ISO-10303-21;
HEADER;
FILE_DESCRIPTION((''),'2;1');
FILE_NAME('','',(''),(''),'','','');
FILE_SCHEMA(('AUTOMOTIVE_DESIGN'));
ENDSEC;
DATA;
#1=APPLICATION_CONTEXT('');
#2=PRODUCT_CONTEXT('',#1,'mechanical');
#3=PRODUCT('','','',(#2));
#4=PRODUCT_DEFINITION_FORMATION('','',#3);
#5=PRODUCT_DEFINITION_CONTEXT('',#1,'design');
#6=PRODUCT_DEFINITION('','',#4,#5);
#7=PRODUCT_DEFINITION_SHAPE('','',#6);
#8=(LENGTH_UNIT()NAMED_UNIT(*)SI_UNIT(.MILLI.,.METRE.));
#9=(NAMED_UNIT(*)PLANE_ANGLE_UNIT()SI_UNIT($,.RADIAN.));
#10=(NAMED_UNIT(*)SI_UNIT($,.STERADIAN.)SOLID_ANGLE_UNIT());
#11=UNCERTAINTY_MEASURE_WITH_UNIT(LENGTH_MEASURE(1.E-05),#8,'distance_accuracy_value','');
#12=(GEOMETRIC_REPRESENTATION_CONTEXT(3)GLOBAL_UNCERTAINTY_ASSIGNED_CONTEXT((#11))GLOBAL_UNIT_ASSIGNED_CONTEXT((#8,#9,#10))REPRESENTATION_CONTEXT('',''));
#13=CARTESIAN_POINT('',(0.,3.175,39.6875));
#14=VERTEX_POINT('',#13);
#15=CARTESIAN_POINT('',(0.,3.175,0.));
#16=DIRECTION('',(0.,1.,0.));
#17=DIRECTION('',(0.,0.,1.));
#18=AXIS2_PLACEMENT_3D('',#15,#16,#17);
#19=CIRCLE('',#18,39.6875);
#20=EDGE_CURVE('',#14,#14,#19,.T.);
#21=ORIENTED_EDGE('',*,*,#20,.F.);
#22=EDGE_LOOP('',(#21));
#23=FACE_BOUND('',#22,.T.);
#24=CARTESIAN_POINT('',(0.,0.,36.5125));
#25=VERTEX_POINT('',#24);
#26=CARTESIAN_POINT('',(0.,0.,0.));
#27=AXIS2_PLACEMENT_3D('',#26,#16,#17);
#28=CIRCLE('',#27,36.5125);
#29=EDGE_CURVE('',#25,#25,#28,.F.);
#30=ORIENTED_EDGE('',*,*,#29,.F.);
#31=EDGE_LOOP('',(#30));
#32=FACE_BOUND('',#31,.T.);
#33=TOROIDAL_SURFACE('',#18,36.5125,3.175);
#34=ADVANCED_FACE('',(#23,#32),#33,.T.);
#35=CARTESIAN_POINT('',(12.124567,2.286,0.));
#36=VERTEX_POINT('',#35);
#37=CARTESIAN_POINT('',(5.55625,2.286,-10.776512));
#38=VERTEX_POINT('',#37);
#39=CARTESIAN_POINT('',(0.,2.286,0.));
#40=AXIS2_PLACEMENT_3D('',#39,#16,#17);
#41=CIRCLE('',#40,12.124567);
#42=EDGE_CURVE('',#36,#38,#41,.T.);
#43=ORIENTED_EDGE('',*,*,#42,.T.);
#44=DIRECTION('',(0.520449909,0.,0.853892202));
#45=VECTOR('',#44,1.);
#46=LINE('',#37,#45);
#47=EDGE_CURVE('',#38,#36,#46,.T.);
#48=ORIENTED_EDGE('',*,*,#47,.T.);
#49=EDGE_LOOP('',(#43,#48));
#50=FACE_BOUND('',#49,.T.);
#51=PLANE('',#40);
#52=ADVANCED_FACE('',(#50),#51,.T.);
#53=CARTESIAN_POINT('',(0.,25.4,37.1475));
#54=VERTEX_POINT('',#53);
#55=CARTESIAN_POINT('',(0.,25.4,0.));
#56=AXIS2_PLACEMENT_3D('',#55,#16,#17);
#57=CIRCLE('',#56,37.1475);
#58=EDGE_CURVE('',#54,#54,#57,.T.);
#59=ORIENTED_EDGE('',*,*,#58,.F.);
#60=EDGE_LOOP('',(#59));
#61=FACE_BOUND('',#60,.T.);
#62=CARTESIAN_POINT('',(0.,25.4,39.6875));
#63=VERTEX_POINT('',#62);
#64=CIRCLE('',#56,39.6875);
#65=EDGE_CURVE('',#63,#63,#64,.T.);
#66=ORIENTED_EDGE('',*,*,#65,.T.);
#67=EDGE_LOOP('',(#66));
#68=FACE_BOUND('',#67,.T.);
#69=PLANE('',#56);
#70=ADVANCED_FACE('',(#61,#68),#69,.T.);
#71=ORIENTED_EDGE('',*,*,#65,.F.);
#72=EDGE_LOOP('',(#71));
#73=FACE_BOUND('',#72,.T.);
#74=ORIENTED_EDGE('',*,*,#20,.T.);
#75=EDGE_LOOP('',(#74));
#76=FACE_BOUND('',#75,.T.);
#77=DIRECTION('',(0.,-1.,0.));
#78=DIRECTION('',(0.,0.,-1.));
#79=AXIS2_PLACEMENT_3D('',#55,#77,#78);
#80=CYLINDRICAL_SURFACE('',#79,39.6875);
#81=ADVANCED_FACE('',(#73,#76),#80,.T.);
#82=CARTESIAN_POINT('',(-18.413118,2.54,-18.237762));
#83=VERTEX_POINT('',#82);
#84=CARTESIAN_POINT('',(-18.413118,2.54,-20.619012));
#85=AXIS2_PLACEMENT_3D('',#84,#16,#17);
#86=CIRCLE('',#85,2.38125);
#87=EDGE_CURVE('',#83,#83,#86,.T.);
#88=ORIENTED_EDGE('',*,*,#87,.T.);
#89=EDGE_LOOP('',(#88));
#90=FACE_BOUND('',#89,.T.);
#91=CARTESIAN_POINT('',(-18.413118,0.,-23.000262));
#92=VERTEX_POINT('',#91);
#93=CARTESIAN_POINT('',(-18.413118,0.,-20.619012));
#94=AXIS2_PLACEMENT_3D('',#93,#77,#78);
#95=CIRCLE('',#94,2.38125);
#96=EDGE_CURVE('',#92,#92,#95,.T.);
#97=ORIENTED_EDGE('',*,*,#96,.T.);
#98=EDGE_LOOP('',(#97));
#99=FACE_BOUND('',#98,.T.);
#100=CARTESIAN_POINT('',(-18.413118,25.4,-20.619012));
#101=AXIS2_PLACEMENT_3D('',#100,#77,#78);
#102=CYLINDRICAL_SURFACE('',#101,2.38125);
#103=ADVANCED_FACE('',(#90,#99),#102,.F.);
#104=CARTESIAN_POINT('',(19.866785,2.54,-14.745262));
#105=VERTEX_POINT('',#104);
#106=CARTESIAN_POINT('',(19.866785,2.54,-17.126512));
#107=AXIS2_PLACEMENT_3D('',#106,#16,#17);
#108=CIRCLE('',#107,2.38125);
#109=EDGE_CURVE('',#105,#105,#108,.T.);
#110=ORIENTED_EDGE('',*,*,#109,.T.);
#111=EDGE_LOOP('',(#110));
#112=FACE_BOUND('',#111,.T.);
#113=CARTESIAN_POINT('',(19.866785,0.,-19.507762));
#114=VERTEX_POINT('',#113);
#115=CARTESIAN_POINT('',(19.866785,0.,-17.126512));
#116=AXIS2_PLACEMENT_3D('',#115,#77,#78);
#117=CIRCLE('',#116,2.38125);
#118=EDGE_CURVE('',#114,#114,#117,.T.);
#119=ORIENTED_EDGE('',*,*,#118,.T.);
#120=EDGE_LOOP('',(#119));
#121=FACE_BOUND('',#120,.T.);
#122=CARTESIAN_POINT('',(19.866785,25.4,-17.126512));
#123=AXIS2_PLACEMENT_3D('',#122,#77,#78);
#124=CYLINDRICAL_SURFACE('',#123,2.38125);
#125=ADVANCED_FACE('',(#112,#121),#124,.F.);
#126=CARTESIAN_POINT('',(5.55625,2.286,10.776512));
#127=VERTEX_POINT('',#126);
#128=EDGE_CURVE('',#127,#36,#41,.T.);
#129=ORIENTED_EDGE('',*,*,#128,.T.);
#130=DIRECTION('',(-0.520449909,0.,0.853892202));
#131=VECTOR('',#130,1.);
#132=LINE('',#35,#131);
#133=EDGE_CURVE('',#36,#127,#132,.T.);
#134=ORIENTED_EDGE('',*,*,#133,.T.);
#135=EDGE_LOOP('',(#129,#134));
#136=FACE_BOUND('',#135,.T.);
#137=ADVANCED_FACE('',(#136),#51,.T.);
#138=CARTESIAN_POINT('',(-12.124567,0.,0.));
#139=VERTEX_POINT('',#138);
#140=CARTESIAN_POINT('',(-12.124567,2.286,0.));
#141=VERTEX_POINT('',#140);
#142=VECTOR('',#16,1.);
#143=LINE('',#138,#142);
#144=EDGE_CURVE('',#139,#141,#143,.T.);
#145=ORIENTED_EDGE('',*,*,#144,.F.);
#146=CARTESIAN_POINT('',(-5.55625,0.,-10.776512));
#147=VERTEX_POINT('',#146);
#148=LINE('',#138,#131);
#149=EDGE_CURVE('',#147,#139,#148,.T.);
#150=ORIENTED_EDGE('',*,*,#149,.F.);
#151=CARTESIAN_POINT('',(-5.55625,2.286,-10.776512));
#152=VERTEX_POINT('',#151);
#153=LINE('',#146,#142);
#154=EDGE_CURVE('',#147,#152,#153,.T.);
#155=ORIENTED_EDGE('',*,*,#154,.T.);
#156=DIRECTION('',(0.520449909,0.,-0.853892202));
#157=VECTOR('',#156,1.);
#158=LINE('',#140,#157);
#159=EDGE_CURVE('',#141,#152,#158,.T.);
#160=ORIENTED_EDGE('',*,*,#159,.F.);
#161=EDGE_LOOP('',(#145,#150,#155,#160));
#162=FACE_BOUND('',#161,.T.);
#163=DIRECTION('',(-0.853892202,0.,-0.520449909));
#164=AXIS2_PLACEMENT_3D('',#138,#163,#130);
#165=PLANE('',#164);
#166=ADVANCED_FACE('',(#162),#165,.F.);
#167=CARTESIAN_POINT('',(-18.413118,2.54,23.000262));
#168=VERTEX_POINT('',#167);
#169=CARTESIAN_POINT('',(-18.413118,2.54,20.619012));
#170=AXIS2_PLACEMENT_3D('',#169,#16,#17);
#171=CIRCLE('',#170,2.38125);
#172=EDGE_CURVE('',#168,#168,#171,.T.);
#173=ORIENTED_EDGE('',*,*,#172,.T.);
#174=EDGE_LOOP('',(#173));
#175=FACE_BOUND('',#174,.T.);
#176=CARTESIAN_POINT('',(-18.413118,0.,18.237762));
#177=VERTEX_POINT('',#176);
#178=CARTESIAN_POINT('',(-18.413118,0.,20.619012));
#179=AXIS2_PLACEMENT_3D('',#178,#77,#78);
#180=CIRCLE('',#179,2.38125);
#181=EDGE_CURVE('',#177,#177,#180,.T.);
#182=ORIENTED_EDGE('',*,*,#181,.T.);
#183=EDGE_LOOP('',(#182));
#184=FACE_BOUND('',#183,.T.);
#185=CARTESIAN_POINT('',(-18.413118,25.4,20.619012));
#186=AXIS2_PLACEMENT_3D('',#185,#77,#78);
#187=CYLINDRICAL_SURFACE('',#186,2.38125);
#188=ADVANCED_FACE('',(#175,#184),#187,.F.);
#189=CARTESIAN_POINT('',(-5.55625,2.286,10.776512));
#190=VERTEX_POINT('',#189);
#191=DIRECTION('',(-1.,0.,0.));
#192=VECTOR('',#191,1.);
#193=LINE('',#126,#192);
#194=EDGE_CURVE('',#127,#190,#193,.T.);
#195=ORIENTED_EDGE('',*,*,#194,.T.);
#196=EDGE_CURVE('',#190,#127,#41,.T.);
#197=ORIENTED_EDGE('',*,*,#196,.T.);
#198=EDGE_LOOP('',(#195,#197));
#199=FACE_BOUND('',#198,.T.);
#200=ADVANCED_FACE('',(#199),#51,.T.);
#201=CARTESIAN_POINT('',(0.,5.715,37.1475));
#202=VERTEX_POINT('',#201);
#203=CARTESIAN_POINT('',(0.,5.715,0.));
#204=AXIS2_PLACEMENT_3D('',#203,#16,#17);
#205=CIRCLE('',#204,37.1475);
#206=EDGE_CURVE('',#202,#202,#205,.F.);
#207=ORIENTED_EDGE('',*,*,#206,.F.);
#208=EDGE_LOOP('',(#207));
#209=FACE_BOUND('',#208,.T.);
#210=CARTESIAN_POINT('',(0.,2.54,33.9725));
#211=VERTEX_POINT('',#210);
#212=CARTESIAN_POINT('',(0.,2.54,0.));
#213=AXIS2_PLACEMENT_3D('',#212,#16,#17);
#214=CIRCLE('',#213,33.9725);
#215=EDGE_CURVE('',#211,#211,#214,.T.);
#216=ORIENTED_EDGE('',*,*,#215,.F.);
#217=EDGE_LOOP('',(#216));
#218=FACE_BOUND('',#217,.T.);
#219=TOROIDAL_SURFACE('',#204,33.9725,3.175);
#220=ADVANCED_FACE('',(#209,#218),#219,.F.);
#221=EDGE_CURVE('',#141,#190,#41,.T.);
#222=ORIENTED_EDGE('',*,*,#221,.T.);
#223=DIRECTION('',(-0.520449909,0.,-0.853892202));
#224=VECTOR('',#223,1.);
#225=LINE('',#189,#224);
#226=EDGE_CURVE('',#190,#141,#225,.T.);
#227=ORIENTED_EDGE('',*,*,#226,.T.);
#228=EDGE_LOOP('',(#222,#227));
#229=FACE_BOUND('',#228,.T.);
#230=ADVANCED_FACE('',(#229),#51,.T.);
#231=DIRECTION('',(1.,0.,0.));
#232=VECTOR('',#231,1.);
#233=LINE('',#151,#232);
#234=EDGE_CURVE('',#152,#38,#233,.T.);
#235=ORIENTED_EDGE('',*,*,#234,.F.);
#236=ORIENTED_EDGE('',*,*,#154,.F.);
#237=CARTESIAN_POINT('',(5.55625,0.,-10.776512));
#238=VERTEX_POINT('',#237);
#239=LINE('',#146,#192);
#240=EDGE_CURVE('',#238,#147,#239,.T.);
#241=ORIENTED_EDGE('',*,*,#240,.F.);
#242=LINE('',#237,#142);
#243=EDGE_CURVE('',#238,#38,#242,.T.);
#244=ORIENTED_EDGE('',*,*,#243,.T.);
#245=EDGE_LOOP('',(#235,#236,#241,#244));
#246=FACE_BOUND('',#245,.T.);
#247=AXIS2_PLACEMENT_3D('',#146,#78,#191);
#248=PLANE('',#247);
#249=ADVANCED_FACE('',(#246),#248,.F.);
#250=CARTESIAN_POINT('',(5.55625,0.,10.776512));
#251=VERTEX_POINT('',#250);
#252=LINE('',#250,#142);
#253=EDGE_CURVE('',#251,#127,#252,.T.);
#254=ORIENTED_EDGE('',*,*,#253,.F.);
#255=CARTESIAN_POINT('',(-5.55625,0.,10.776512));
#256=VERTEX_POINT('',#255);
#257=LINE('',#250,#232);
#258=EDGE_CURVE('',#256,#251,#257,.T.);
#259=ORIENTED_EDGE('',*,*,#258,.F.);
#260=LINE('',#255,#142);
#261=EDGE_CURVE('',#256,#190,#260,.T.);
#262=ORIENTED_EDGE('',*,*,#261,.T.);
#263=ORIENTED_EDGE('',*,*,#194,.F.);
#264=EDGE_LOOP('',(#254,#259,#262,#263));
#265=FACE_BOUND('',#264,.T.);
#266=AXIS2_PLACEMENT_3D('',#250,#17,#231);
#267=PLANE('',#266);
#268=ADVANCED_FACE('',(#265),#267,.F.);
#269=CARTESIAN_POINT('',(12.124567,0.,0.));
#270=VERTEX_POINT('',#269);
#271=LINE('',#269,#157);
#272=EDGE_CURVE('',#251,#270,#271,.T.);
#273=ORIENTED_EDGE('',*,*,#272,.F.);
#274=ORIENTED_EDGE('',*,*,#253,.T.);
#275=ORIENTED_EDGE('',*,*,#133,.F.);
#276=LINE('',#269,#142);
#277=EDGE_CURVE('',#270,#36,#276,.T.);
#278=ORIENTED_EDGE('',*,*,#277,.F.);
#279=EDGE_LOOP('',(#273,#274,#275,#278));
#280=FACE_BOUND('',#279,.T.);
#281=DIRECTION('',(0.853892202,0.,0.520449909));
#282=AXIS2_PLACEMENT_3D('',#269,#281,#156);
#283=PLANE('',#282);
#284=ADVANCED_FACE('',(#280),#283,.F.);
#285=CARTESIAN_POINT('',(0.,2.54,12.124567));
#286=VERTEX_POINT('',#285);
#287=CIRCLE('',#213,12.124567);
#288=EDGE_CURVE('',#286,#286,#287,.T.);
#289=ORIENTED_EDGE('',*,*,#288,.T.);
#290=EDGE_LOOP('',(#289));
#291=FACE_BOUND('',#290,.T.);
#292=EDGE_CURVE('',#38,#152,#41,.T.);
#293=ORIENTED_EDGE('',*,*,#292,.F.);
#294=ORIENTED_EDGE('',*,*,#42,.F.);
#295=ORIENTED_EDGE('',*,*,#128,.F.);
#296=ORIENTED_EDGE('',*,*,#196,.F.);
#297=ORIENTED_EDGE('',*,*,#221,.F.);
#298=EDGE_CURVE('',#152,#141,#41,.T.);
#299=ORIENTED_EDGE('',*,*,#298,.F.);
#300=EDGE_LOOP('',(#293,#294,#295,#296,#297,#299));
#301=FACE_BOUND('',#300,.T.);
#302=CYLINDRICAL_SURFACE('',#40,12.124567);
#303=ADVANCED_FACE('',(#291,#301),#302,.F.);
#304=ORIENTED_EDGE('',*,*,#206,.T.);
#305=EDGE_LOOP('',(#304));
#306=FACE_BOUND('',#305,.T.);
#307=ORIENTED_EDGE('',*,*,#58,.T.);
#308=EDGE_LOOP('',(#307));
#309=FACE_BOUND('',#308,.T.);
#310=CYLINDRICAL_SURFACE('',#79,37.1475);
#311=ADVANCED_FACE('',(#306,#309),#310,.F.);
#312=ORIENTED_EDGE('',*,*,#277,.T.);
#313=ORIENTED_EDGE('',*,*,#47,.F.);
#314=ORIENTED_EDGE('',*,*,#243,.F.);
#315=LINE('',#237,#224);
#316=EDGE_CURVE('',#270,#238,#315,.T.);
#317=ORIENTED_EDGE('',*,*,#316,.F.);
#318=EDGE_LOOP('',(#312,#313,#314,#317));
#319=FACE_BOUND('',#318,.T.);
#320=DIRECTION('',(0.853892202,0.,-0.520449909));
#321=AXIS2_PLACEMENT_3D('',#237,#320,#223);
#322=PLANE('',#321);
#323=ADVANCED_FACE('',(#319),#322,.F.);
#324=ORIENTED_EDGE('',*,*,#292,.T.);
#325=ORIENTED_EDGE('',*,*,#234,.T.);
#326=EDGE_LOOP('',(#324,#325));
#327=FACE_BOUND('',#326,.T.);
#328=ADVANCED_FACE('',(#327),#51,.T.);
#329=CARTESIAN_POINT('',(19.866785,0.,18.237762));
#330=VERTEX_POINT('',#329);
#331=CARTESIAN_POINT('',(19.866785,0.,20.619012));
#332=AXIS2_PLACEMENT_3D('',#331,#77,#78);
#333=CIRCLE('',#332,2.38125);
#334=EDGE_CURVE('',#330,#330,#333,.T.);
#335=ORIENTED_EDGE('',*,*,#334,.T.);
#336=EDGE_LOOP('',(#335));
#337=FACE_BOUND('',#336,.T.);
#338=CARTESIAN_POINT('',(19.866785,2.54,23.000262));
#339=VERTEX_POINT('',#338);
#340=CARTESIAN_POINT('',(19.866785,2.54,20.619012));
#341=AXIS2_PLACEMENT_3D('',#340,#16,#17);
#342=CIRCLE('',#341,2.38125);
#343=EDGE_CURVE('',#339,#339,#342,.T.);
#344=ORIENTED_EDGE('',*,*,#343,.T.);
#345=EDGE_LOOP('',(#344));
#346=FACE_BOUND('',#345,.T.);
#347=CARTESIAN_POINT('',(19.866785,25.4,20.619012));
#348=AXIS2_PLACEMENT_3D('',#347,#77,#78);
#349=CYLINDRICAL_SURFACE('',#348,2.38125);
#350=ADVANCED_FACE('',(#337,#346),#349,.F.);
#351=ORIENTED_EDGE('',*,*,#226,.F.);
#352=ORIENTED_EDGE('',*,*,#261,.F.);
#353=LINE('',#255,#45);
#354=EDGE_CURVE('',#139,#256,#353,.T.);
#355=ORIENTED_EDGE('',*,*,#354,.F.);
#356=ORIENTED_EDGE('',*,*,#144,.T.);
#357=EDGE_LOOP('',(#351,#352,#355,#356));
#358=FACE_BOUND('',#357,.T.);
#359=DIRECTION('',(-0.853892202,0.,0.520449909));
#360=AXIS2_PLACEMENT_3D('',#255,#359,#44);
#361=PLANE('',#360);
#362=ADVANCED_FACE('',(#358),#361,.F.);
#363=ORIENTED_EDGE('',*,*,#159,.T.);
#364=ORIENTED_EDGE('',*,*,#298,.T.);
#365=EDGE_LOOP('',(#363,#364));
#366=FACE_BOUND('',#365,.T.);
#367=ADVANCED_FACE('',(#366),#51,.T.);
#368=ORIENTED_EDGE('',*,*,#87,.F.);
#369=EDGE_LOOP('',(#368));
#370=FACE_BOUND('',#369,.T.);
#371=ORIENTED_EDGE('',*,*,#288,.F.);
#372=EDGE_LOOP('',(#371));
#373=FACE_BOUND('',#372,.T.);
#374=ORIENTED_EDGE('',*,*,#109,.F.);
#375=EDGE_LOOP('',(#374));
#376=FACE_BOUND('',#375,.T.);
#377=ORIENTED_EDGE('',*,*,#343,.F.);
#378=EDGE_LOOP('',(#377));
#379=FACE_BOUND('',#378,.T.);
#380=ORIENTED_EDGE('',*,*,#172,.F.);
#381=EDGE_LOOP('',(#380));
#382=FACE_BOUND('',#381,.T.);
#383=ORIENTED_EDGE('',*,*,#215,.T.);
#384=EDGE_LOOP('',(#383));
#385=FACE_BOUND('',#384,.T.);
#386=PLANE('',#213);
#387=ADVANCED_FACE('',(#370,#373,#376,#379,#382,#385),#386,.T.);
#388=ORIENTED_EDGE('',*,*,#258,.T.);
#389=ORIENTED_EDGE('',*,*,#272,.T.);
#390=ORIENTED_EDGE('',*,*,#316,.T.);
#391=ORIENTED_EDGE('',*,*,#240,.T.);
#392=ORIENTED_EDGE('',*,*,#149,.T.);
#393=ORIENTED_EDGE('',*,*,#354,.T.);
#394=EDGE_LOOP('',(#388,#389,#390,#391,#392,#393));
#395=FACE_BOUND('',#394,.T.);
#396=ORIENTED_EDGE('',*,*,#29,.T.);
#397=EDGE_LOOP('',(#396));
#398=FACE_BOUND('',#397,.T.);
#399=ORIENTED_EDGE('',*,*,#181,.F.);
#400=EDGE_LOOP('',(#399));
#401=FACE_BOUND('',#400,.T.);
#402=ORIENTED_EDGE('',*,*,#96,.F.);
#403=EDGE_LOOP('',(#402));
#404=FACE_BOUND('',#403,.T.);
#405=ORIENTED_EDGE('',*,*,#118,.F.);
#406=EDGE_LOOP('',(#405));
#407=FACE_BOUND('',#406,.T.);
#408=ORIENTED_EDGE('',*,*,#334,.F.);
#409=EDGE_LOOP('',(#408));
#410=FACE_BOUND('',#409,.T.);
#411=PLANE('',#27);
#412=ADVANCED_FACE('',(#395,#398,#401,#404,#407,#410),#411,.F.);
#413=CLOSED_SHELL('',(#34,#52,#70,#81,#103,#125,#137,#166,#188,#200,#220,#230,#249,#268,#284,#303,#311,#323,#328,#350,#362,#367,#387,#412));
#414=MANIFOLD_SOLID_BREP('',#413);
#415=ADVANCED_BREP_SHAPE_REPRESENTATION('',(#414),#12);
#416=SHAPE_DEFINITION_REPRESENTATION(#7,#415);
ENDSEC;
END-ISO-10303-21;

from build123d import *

# Parameters (mm, degrees)
SKETCH1_R           = 39.6875
BOSS_EXTRUDE1_DEPTH = 25.4
SHELL1_T            = -2.54
CUT_EXTRUDE1_DEPTH  = 62.60645512
SKETCH4_R           = 12.124567064
CUT_EXTRUDE2_DEPTH  = 0.254
FILLET1_R           = 3.175
SKETCH5_R           = 2.38125
CUT_EXTRUDE3_DEPTH  = 62.606455185
FILLET2_R           = 3.175


with BuildPart() as part:
    # Sketch1 → Boss-Extrude1 (new body)
    with BuildSketch(Plane(origin=(0, 0, 0), x_dir=(1, 0, 0), z_dir=(0, 1, 0))):
        with Locations(Location((0, 0, 0), (0, 0, 270))):
            Circle(SKETCH1_R)
    extrude(amount=BOSS_EXTRUDE1_DEPTH)

    # Shell1
    shell1_openings = [part.faces().sort_by_distance(p)[0] for p in [
        (0, 25.4, 0),
    ]]
    offset(amount=SHELL1_T, openings=shell1_openings, kind=Kind.INTERSECTION)

    # Sketch2 → Cut-Extrude1 (cut, through all)
    with BuildSketch(Plane(origin=(0, 25.4, 0), x_dir=(1, 0, 0), z_dir=(0, 1, 0))):
        Polygon((-5.55625, 10.776512071), (5.55625, 10.776512071), (12.124567064, 0), (5.55625, -10.776512071), (-5.55625, -10.776512071), (-12.124567064, 0), align=None)
    extrude(amount=-CUT_EXTRUDE1_DEPTH, mode=Mode.SUBTRACT)

    # Sketch4 → Cut-Extrude2 (cut)
    with BuildSketch(Plane(origin=(0, 2.54, 0), x_dir=(1, 0, 0), z_dir=(0, 1, 0))):
        with Locations(Location((0, 0, 0), (0, 0, 270))):
            Circle(SKETCH4_R)
    extrude(amount=-CUT_EXTRUDE2_DEPTH, mode=Mode.SUBTRACT)

    # Fillet1
    fillet1_edges = [part.edges().sort_by_distance(p)[0] for p in [
        (0, 0, -39.6875),
    ]]
    fillet(fillet1_edges, radius=FILLET1_R)

    # Sketch5 → Cut-Extrude3 (cut, through all)
    with BuildSketch(Plane.XZ):
        with Locations(Location((19.866785326, 20.619012071, 0), (0, 0, 270))):
            Circle(SKETCH5_R)
        with Locations(Location((-18.413118107, 20.619012071, 0), (0, 0, 270))):
            Circle(SKETCH5_R)
        with Locations(Location((-18.413118107, -20.619012071, 0), (0, 0, 270))):
            Circle(SKETCH5_R)
        with Locations(Location((19.866785326, -17.126512071, 0), (0, 0, 270))):
            Circle(SKETCH5_R)
    extrude(amount=-CUT_EXTRUDE3_DEPTH, mode=Mode.SUBTRACT)

    # Fillet2
    fillet2_edges = [part.edges().sort_by_distance(p)[0] for p in [
        (0, 2.54, -37.1475),
    ]]
    fillet(fillet2_edges, radius=FILLET2_R)


solid = part.part
